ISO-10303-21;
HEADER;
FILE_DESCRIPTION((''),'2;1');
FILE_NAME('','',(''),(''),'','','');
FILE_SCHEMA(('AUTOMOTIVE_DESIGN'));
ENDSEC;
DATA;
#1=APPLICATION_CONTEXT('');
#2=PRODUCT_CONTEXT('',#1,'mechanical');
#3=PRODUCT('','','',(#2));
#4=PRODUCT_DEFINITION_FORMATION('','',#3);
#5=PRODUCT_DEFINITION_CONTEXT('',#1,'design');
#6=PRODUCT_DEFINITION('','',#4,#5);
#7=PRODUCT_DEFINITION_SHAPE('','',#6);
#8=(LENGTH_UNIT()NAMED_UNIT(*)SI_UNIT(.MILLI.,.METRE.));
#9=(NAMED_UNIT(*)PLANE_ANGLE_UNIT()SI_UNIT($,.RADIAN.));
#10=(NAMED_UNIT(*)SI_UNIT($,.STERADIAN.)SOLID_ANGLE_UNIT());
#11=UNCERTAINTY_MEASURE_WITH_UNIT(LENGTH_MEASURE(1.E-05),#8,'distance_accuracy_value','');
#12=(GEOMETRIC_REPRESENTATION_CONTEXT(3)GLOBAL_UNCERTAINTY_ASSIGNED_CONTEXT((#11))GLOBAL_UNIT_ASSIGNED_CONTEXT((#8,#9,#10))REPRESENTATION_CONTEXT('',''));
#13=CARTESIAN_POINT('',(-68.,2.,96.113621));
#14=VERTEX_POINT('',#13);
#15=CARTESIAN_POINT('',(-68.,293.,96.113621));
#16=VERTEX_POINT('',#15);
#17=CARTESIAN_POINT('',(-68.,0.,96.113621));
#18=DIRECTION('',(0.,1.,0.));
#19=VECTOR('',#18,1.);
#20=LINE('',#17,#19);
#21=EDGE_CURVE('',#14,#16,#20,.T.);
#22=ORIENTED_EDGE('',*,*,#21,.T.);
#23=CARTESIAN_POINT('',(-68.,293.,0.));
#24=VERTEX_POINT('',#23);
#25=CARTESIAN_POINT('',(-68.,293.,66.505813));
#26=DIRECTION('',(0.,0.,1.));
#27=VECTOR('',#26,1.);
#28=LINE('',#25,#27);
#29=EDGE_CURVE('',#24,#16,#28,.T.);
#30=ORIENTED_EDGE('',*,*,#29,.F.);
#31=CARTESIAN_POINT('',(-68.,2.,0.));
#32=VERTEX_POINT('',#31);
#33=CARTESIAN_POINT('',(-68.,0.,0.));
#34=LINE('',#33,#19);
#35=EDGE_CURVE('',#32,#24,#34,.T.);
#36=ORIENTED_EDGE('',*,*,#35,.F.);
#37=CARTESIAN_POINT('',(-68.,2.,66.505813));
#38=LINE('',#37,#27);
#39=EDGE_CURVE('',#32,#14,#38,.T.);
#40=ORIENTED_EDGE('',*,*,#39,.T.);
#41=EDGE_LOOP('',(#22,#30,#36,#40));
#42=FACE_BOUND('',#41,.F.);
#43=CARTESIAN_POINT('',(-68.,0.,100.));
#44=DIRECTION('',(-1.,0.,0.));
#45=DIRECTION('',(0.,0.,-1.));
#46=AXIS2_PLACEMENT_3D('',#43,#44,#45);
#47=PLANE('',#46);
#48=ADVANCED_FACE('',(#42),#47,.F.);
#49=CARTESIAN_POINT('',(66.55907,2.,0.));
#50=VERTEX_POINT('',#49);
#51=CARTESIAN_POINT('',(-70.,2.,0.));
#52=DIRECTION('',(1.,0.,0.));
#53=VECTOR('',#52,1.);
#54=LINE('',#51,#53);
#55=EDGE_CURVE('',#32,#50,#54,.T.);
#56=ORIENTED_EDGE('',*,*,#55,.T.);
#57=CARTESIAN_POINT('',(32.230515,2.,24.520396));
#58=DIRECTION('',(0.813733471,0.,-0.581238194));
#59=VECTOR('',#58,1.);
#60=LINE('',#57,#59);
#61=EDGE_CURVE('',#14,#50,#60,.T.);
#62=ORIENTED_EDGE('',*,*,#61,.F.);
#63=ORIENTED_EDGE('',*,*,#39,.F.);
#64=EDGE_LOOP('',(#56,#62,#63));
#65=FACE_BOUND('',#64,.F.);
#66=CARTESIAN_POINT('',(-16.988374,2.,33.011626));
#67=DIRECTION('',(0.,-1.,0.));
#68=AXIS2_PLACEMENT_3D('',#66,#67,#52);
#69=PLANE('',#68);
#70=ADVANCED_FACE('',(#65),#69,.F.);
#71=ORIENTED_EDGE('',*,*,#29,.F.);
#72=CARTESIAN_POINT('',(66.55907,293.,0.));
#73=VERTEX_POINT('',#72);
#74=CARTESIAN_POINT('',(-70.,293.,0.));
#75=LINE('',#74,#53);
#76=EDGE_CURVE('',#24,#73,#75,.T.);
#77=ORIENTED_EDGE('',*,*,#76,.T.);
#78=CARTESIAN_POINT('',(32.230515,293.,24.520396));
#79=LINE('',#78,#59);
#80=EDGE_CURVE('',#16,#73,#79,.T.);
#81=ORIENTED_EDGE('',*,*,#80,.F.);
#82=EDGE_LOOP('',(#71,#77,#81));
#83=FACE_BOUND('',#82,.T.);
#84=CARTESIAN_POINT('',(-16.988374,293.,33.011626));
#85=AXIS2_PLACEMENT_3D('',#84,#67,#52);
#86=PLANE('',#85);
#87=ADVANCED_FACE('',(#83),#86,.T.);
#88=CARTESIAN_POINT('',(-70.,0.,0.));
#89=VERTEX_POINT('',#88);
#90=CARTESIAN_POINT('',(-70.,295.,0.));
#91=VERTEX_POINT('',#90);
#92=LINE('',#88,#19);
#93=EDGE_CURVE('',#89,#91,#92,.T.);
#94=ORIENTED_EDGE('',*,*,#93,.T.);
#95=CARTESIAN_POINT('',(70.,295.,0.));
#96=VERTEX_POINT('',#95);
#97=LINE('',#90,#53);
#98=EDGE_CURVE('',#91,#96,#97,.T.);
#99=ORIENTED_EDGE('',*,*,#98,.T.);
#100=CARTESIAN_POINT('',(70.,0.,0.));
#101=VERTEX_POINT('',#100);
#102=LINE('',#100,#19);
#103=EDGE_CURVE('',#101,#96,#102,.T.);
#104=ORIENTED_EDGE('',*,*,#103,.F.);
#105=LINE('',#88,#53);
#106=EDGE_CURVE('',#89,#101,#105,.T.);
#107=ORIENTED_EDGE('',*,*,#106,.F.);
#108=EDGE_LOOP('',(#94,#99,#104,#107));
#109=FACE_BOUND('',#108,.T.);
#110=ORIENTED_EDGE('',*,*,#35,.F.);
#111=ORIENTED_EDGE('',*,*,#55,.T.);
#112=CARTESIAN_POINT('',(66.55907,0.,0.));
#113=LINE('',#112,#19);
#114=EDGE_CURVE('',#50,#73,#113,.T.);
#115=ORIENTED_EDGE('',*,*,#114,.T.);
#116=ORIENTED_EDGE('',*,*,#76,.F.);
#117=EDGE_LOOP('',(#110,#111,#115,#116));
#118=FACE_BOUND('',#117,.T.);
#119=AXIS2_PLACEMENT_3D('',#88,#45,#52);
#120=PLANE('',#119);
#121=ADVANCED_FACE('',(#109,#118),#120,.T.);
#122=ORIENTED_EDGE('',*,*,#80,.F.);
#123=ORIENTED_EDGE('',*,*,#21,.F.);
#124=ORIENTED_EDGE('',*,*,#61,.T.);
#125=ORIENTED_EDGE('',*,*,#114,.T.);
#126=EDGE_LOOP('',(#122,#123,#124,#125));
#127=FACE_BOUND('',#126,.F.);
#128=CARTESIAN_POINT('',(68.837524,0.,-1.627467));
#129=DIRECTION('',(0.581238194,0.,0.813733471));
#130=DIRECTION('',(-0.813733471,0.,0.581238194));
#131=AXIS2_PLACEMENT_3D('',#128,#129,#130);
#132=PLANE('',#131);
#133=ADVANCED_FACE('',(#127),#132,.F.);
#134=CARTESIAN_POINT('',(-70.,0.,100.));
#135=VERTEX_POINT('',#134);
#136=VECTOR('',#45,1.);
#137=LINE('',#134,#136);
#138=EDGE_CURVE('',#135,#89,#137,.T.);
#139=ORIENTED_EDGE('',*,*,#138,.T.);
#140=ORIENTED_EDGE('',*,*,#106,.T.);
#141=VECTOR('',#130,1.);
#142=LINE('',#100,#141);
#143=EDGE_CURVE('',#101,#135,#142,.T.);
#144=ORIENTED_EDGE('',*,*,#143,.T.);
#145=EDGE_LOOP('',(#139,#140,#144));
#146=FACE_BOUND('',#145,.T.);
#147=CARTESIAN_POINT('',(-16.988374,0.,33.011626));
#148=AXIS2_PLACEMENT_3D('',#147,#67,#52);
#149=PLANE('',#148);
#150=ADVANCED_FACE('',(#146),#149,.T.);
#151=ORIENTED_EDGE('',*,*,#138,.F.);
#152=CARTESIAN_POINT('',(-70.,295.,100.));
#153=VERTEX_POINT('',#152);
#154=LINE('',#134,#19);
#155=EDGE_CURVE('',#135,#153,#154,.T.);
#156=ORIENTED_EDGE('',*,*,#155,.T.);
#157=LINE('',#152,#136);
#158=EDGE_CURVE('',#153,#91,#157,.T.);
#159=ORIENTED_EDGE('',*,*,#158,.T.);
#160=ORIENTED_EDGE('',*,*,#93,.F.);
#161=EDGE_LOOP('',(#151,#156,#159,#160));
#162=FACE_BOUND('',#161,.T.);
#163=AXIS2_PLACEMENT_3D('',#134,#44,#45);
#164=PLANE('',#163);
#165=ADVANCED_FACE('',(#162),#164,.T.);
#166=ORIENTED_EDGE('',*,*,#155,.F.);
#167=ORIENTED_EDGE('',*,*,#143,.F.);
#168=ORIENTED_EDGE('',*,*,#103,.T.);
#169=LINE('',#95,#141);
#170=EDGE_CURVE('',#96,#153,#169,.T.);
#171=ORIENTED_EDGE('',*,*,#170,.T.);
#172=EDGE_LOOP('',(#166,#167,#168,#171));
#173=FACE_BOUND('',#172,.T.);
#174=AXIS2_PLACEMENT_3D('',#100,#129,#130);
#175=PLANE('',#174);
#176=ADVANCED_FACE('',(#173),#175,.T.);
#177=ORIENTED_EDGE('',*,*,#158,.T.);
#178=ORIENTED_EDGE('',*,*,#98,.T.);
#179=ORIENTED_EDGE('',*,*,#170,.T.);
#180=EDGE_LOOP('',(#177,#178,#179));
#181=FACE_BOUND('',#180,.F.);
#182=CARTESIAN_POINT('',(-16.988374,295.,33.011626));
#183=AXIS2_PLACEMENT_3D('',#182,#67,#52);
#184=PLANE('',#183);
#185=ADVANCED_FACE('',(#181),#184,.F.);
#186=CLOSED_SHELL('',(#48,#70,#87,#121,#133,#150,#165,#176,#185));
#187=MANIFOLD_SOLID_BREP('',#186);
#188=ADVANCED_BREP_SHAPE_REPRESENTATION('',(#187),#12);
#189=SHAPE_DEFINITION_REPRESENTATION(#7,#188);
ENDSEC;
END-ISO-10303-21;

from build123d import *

# Parameters (mm, degrees)
F1_DEPTH = 295
F2_T     = -2


with BuildPart() as f1:
    # F0 (on Front) → F1 (new body)
    with BuildSketch(Plane.XZ):
        Polygon((-70, 100), (-70, 0), (70, 0), align=None)
    extrude(amount=-F1_DEPTH)

    # F2
    f2_openings = [f1.faces().sort_by_distance(p)[0] for p in [
        (0, 147.5, 0),
    ]]
    offset(amount=F2_T, openings=f2_openings)


solid = f1.part
